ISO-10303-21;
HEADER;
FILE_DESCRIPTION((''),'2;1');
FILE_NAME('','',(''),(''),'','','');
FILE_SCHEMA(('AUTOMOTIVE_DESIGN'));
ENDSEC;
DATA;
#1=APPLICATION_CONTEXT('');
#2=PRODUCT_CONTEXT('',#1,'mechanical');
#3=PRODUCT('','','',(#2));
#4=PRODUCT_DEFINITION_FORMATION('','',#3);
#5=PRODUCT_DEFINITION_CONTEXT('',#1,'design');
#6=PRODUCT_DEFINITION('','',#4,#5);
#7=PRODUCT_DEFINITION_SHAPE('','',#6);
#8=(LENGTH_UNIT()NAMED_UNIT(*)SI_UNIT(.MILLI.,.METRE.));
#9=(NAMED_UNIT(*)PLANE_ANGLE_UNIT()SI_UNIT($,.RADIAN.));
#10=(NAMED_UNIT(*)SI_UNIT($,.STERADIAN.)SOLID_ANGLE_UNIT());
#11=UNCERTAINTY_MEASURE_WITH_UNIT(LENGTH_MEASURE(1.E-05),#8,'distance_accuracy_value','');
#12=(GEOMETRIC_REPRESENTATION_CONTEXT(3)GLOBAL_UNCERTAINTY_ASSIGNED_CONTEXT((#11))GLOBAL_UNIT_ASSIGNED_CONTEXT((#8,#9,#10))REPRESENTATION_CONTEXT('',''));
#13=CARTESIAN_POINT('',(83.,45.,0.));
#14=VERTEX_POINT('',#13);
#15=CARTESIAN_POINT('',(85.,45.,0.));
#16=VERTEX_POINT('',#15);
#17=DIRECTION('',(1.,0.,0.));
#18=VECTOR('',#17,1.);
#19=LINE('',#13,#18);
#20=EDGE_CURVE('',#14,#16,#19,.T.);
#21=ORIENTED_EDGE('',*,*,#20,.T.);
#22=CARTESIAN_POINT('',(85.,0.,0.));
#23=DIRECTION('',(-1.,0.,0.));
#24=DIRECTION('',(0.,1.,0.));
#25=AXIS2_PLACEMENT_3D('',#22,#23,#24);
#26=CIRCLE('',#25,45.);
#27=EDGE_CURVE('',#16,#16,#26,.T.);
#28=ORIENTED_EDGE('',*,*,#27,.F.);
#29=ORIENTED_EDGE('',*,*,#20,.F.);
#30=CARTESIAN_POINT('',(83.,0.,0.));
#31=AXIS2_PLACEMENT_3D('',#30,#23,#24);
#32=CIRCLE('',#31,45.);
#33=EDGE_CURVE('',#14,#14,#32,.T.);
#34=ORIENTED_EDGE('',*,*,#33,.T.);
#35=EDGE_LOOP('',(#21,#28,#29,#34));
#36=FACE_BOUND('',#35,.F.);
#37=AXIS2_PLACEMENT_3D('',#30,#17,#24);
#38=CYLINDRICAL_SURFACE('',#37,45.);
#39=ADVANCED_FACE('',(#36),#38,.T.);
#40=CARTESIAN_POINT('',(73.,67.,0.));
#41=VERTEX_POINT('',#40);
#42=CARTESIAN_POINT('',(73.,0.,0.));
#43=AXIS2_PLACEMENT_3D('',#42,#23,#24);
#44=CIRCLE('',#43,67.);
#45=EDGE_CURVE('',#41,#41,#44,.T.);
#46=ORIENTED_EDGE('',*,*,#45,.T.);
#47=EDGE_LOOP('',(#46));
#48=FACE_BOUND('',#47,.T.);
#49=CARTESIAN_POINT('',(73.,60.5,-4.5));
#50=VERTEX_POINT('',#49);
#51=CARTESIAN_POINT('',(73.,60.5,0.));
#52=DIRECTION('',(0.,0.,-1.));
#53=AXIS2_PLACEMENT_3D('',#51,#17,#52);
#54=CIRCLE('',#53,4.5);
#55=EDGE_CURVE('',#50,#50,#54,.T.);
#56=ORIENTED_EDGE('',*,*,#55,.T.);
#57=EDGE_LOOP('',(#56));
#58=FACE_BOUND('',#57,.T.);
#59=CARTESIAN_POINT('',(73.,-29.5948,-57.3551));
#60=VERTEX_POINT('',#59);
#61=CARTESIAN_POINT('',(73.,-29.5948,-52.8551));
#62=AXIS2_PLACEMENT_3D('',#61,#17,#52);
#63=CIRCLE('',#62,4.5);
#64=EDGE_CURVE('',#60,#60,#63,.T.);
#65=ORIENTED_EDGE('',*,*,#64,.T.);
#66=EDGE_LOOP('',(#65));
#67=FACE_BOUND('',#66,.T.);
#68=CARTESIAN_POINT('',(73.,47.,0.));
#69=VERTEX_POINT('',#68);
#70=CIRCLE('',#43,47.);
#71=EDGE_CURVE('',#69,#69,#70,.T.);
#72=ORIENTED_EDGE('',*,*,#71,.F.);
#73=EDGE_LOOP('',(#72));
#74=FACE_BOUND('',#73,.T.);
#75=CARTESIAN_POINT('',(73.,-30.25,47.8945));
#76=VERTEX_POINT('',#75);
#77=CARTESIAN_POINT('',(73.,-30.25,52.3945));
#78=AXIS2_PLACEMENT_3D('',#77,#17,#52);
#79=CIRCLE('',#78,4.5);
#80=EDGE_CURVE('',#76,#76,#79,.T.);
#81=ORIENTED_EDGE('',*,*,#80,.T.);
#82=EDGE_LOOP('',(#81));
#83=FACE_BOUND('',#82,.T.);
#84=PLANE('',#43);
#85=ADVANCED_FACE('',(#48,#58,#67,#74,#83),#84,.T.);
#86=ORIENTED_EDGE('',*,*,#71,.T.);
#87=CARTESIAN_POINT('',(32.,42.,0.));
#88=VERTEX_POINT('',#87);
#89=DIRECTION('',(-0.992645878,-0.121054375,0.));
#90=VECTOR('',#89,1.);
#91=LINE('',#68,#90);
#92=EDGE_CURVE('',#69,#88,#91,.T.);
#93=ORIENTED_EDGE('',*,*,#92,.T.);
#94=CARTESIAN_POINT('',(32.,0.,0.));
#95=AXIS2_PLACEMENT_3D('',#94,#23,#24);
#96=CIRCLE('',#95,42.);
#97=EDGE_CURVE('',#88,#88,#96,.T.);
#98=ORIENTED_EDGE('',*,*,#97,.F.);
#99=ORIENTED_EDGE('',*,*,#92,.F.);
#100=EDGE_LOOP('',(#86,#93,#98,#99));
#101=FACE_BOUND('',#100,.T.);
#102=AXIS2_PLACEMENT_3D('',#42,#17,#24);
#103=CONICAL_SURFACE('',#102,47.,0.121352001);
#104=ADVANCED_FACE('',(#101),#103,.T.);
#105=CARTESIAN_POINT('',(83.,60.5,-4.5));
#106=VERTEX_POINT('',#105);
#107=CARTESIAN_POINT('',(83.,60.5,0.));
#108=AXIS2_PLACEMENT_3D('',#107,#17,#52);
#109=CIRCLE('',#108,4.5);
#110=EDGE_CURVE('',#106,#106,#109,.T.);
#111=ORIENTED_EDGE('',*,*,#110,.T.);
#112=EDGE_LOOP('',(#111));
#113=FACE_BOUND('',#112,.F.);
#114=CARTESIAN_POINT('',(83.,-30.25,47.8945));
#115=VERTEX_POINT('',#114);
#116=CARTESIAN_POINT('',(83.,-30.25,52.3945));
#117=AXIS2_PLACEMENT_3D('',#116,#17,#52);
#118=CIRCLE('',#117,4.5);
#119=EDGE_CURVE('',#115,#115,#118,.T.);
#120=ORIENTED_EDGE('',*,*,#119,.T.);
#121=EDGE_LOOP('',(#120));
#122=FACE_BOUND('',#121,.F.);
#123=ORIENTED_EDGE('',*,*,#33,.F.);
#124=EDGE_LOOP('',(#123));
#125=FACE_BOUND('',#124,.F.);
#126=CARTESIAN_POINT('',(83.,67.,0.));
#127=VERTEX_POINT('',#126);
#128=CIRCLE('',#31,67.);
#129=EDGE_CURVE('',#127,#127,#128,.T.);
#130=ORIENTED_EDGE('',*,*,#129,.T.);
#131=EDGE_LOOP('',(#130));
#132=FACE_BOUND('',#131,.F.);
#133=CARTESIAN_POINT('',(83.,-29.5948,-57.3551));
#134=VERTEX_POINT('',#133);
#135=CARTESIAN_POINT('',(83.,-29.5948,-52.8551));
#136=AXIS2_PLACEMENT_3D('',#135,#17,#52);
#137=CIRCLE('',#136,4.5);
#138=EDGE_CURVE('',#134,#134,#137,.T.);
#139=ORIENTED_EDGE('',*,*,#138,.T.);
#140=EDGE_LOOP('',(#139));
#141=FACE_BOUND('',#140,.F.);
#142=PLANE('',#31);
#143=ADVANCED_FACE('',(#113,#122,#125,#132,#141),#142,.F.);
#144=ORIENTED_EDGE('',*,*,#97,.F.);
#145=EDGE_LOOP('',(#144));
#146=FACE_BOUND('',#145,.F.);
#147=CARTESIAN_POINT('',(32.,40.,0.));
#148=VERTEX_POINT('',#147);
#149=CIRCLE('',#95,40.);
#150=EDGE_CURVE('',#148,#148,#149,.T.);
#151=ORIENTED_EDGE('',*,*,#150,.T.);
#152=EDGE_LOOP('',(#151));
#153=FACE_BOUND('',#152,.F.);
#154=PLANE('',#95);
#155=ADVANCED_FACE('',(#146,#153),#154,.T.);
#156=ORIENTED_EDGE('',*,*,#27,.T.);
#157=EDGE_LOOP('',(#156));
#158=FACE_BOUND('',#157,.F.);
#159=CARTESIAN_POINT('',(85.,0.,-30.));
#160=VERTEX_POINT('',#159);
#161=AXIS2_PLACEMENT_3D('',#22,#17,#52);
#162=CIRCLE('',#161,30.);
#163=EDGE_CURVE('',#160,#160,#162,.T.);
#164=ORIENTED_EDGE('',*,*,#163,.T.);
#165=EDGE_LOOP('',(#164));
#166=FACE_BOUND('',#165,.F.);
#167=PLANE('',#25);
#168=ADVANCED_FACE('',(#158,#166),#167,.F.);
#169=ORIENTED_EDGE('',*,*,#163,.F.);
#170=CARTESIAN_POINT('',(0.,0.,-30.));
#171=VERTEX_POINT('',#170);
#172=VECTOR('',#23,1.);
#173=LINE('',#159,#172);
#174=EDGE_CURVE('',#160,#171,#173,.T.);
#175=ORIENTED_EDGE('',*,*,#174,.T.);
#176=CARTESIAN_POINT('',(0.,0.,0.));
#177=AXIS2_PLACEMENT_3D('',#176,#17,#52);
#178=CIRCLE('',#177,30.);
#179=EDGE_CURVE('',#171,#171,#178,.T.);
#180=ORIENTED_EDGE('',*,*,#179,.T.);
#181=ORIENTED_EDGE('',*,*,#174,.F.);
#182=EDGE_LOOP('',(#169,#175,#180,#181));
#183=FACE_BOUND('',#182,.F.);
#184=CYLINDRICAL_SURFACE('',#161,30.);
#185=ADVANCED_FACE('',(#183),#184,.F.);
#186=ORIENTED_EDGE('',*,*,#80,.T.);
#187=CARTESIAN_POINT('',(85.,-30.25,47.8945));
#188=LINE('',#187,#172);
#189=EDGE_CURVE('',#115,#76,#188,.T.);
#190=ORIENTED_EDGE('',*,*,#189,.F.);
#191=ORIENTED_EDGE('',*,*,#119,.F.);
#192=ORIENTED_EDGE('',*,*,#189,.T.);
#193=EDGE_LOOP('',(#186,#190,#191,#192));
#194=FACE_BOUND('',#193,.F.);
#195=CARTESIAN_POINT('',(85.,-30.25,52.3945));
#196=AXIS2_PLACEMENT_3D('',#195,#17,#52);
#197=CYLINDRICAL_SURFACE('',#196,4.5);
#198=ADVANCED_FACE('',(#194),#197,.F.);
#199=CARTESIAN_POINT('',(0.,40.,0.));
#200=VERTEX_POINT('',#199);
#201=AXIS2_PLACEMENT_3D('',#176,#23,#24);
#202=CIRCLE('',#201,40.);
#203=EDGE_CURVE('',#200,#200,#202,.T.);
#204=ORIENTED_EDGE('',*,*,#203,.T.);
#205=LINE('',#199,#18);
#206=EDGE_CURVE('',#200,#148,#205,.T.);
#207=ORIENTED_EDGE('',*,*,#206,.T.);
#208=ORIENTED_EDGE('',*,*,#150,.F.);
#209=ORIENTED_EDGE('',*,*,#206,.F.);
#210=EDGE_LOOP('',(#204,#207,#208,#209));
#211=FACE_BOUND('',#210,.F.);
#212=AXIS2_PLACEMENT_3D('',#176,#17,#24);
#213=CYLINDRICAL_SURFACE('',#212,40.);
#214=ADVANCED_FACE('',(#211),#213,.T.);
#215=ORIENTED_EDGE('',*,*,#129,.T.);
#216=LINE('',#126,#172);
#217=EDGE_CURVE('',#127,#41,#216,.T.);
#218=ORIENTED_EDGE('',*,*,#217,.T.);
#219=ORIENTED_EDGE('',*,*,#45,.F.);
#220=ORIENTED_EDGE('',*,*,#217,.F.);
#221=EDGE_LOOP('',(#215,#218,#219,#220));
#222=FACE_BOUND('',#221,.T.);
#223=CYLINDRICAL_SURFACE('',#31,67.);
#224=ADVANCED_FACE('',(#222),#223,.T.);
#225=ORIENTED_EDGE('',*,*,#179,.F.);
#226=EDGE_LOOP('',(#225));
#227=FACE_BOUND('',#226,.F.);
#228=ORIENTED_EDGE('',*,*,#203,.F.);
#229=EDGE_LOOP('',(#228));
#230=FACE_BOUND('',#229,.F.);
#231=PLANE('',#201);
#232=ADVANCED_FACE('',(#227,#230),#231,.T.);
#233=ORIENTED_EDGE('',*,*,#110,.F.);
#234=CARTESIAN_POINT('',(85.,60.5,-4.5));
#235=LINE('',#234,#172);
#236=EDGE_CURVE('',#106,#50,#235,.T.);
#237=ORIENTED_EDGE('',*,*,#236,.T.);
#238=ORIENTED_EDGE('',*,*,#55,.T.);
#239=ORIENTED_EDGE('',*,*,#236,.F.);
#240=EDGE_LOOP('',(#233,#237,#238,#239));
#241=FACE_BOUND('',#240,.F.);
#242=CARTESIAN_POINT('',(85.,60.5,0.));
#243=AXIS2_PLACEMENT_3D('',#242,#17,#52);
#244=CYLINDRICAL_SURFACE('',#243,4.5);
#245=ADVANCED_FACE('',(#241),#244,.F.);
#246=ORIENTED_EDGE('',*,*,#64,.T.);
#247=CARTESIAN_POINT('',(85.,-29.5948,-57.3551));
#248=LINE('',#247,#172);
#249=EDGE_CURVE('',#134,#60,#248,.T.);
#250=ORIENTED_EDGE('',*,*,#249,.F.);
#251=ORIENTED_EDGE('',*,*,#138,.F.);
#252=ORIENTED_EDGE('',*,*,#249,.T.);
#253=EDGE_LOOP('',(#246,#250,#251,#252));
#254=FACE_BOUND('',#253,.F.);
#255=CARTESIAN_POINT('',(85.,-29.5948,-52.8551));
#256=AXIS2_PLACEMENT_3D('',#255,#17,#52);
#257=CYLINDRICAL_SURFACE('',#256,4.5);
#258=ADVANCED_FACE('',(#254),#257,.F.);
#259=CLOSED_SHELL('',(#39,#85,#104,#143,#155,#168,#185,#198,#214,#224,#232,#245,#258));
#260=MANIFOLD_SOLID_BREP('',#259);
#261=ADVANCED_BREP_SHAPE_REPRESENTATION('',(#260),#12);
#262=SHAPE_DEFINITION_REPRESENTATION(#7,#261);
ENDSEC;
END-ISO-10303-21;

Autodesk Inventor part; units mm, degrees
ref_plane "YZ Plane" through (0, 0, 0) normal (1, 0, 0) x (0, 1, 0)
ref_plane "XZ Plane" through (0, 0, 0) normal (0, 1, 0) x (-1, 0, 0)
ref_plane "XY Plane" through (0, 0, 0) normal (0, 0, 1) x (1, 0, 0)
sketch "Sketch1" plane through (0, 0, 0) normal (0, 0, 1) x (1, 0, 0)
  line L0 (0, 0) -> (0, 40)
  line L1 (0, 40) -> (32, 40)
  line L2 (32, 40) -> (32, 42)
  line L3 (73, 67) -> (73, 47)
  line L4 (73, 47) -> (32, 42)
  line L5 (83, 67) -> (83, 45)
  line L6 (83, 45) -> (85, 45)
  line L7 (83, 67) -> (73, 67)
  line L8 (85, 0) -> (0, 0)
  line L9 (85, 45) -> (85, 0)
  dimension "d1" = 40
  dimension "d2" = 32
  dimension "d4" = 10
  dimension "d5" = 2
  dimension "d6" = 20
  dimension "d9" = 22
  dimension "d10" = 2
  dimension "d11" = 85
revolve "Revolution1" add sketch "Sketch1" angle 360 about axis through (85, 0, 0) along (-1, 0, 0)
sketch "Sketch2" plane through (85, 0, 0) normal (1, 0, 0) x (0, 0, -1)
  circle A0 centre (0, 0) radius 30
  dimension "d13" = 60
extrude "Extrusion1" cut sketch "Sketch2" against normal blind 86
sketch "Sketch3" plane through (85, 0, 0) normal (1, 0, 0) x (0, 0, -1)
  circle A0 centre (0, 60.5) radius 4.5
  circle A1 centre (52.8551, -29.5948) radius 4.5
  circle A2 centre (-52.3945, -30.25) radius 4.5
  circle A3 centre (0, 0) radius 47 projected
  circle A4 centre (0, 0) radius 67 projected
  line L0 (58.0237, -33.5) -> (56.2917, -32.5)
  dimension "d17" = 9
  dimension "d16" = 9
  dimension "d18" = 9
  dimension "d23" = 2
sketch "Sketch4" plane through (83, 0, 0) normal (1, 0, 0) x (0, 0, -1)
  point P0 (0, 0)
extrude "Extrusion2" cut sketch "Sketch3" against normal blind 86 contours A0 | A1 | A2
properties part number "parte eixo"
